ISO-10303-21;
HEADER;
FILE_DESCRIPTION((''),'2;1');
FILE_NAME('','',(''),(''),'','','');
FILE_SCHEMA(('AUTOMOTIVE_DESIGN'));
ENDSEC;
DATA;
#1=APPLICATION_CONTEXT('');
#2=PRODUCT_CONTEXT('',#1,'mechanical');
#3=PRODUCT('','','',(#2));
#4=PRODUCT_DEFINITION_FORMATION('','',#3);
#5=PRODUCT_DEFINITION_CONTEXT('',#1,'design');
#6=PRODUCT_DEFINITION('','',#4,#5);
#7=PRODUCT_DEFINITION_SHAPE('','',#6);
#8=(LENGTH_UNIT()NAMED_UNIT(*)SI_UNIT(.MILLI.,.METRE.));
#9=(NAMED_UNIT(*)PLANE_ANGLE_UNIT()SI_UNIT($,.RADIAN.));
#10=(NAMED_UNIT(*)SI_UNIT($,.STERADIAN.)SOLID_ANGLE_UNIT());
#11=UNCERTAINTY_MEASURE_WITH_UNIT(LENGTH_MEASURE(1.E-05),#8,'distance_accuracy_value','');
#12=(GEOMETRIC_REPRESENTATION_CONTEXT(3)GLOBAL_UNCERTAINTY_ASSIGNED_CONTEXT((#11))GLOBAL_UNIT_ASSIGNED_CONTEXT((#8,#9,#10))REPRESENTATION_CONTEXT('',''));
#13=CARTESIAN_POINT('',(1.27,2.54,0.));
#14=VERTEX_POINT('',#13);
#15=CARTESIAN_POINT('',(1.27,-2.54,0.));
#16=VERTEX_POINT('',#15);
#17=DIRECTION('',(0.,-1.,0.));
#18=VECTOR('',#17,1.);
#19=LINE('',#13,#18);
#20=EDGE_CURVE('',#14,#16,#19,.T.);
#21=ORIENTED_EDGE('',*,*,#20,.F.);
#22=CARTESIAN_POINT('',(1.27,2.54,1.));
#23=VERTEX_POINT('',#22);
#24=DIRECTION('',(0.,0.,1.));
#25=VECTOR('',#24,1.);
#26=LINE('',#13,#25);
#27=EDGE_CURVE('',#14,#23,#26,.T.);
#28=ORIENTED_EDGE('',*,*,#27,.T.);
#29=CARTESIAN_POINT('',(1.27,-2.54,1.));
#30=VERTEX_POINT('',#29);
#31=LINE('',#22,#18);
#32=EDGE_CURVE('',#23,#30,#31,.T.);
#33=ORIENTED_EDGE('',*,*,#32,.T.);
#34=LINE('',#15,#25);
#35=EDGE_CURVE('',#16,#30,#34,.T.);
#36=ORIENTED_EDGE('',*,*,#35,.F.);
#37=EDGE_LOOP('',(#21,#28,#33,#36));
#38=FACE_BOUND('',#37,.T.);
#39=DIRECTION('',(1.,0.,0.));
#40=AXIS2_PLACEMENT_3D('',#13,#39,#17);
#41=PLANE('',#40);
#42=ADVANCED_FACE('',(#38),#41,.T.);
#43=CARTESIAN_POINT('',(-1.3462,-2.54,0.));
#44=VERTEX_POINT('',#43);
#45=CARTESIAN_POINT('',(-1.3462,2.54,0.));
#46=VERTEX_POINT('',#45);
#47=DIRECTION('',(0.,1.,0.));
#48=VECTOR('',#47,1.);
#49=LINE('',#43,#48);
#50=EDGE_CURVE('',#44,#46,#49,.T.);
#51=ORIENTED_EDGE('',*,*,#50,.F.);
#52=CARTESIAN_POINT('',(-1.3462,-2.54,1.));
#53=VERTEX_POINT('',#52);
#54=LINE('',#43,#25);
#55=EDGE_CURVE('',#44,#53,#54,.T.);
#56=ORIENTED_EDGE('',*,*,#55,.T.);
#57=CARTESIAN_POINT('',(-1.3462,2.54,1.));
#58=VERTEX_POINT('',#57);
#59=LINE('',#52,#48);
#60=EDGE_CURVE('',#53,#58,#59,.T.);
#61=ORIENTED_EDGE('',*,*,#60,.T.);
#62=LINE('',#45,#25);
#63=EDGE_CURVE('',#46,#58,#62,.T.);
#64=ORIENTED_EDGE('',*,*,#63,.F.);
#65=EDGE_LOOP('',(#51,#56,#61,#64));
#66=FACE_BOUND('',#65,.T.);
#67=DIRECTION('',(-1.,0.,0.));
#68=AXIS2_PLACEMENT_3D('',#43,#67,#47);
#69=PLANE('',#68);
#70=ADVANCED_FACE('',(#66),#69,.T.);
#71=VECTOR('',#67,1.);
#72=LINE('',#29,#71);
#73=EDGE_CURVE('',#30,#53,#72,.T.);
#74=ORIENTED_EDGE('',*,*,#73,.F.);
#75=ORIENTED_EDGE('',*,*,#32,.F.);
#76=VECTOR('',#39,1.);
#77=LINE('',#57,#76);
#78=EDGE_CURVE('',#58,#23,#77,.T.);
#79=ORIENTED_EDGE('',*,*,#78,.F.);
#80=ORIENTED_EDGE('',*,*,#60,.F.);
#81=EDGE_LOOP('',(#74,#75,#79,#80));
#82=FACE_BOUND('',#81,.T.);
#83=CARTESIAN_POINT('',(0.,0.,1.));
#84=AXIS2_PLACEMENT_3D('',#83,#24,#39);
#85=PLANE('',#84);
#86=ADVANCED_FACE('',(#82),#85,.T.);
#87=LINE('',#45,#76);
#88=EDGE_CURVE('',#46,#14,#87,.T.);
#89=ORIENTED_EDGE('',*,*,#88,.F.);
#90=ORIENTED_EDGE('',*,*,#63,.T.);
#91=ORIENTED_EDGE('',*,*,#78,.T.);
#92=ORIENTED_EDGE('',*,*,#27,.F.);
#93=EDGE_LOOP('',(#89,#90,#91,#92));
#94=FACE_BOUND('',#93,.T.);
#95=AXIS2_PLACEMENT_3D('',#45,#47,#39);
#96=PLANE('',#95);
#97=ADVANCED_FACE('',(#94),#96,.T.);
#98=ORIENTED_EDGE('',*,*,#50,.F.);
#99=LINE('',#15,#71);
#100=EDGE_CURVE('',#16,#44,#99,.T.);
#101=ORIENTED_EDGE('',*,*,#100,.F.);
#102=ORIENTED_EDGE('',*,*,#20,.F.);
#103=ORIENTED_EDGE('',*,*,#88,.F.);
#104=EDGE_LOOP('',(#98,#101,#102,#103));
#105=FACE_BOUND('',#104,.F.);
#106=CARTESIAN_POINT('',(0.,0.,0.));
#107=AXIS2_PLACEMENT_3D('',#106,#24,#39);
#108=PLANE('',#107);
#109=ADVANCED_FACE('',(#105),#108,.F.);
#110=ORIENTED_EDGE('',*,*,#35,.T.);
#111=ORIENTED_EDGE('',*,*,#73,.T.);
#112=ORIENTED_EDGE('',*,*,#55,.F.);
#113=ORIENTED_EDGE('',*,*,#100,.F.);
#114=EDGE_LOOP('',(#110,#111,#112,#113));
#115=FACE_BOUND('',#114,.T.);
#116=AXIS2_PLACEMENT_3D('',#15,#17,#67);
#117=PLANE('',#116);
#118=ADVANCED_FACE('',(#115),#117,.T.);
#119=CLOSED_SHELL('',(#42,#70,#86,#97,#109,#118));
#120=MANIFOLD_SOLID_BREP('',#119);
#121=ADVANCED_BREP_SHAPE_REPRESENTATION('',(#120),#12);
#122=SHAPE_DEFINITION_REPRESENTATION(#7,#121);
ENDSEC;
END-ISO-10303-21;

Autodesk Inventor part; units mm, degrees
ref_plane "YZ Plane" through (0, 0, 0) normal (1, 0, 0) x (0, 1, 0)
ref_plane "XZ Plane" through (0, 0, 0) normal (0, 1, 0) x (-1, 0, 0)
ref_plane "XY Plane" through (0, 0, 0) normal (0, 0, 1) x (1, 0, 0)
sketch "JP1M, RTS_77" plane through (0, 0, 0) normal (0, 0, 1) x (1, 0, 0)
  line L0 (-1.3462, 2.54) -> (1.27, 2.54)
  line L1 (1.27, 2.54) -> (1.27, -2.54)
  line L2 (1.27, -2.54) -> (-1.3462, -2.54)
  line L3 (-1.3462, -2.54) -> (-1.3462, 2.54)
extrude "Extrusion1" add sketch "JP1M, RTS_77" along normal blind 1
properties part number "RTS"
